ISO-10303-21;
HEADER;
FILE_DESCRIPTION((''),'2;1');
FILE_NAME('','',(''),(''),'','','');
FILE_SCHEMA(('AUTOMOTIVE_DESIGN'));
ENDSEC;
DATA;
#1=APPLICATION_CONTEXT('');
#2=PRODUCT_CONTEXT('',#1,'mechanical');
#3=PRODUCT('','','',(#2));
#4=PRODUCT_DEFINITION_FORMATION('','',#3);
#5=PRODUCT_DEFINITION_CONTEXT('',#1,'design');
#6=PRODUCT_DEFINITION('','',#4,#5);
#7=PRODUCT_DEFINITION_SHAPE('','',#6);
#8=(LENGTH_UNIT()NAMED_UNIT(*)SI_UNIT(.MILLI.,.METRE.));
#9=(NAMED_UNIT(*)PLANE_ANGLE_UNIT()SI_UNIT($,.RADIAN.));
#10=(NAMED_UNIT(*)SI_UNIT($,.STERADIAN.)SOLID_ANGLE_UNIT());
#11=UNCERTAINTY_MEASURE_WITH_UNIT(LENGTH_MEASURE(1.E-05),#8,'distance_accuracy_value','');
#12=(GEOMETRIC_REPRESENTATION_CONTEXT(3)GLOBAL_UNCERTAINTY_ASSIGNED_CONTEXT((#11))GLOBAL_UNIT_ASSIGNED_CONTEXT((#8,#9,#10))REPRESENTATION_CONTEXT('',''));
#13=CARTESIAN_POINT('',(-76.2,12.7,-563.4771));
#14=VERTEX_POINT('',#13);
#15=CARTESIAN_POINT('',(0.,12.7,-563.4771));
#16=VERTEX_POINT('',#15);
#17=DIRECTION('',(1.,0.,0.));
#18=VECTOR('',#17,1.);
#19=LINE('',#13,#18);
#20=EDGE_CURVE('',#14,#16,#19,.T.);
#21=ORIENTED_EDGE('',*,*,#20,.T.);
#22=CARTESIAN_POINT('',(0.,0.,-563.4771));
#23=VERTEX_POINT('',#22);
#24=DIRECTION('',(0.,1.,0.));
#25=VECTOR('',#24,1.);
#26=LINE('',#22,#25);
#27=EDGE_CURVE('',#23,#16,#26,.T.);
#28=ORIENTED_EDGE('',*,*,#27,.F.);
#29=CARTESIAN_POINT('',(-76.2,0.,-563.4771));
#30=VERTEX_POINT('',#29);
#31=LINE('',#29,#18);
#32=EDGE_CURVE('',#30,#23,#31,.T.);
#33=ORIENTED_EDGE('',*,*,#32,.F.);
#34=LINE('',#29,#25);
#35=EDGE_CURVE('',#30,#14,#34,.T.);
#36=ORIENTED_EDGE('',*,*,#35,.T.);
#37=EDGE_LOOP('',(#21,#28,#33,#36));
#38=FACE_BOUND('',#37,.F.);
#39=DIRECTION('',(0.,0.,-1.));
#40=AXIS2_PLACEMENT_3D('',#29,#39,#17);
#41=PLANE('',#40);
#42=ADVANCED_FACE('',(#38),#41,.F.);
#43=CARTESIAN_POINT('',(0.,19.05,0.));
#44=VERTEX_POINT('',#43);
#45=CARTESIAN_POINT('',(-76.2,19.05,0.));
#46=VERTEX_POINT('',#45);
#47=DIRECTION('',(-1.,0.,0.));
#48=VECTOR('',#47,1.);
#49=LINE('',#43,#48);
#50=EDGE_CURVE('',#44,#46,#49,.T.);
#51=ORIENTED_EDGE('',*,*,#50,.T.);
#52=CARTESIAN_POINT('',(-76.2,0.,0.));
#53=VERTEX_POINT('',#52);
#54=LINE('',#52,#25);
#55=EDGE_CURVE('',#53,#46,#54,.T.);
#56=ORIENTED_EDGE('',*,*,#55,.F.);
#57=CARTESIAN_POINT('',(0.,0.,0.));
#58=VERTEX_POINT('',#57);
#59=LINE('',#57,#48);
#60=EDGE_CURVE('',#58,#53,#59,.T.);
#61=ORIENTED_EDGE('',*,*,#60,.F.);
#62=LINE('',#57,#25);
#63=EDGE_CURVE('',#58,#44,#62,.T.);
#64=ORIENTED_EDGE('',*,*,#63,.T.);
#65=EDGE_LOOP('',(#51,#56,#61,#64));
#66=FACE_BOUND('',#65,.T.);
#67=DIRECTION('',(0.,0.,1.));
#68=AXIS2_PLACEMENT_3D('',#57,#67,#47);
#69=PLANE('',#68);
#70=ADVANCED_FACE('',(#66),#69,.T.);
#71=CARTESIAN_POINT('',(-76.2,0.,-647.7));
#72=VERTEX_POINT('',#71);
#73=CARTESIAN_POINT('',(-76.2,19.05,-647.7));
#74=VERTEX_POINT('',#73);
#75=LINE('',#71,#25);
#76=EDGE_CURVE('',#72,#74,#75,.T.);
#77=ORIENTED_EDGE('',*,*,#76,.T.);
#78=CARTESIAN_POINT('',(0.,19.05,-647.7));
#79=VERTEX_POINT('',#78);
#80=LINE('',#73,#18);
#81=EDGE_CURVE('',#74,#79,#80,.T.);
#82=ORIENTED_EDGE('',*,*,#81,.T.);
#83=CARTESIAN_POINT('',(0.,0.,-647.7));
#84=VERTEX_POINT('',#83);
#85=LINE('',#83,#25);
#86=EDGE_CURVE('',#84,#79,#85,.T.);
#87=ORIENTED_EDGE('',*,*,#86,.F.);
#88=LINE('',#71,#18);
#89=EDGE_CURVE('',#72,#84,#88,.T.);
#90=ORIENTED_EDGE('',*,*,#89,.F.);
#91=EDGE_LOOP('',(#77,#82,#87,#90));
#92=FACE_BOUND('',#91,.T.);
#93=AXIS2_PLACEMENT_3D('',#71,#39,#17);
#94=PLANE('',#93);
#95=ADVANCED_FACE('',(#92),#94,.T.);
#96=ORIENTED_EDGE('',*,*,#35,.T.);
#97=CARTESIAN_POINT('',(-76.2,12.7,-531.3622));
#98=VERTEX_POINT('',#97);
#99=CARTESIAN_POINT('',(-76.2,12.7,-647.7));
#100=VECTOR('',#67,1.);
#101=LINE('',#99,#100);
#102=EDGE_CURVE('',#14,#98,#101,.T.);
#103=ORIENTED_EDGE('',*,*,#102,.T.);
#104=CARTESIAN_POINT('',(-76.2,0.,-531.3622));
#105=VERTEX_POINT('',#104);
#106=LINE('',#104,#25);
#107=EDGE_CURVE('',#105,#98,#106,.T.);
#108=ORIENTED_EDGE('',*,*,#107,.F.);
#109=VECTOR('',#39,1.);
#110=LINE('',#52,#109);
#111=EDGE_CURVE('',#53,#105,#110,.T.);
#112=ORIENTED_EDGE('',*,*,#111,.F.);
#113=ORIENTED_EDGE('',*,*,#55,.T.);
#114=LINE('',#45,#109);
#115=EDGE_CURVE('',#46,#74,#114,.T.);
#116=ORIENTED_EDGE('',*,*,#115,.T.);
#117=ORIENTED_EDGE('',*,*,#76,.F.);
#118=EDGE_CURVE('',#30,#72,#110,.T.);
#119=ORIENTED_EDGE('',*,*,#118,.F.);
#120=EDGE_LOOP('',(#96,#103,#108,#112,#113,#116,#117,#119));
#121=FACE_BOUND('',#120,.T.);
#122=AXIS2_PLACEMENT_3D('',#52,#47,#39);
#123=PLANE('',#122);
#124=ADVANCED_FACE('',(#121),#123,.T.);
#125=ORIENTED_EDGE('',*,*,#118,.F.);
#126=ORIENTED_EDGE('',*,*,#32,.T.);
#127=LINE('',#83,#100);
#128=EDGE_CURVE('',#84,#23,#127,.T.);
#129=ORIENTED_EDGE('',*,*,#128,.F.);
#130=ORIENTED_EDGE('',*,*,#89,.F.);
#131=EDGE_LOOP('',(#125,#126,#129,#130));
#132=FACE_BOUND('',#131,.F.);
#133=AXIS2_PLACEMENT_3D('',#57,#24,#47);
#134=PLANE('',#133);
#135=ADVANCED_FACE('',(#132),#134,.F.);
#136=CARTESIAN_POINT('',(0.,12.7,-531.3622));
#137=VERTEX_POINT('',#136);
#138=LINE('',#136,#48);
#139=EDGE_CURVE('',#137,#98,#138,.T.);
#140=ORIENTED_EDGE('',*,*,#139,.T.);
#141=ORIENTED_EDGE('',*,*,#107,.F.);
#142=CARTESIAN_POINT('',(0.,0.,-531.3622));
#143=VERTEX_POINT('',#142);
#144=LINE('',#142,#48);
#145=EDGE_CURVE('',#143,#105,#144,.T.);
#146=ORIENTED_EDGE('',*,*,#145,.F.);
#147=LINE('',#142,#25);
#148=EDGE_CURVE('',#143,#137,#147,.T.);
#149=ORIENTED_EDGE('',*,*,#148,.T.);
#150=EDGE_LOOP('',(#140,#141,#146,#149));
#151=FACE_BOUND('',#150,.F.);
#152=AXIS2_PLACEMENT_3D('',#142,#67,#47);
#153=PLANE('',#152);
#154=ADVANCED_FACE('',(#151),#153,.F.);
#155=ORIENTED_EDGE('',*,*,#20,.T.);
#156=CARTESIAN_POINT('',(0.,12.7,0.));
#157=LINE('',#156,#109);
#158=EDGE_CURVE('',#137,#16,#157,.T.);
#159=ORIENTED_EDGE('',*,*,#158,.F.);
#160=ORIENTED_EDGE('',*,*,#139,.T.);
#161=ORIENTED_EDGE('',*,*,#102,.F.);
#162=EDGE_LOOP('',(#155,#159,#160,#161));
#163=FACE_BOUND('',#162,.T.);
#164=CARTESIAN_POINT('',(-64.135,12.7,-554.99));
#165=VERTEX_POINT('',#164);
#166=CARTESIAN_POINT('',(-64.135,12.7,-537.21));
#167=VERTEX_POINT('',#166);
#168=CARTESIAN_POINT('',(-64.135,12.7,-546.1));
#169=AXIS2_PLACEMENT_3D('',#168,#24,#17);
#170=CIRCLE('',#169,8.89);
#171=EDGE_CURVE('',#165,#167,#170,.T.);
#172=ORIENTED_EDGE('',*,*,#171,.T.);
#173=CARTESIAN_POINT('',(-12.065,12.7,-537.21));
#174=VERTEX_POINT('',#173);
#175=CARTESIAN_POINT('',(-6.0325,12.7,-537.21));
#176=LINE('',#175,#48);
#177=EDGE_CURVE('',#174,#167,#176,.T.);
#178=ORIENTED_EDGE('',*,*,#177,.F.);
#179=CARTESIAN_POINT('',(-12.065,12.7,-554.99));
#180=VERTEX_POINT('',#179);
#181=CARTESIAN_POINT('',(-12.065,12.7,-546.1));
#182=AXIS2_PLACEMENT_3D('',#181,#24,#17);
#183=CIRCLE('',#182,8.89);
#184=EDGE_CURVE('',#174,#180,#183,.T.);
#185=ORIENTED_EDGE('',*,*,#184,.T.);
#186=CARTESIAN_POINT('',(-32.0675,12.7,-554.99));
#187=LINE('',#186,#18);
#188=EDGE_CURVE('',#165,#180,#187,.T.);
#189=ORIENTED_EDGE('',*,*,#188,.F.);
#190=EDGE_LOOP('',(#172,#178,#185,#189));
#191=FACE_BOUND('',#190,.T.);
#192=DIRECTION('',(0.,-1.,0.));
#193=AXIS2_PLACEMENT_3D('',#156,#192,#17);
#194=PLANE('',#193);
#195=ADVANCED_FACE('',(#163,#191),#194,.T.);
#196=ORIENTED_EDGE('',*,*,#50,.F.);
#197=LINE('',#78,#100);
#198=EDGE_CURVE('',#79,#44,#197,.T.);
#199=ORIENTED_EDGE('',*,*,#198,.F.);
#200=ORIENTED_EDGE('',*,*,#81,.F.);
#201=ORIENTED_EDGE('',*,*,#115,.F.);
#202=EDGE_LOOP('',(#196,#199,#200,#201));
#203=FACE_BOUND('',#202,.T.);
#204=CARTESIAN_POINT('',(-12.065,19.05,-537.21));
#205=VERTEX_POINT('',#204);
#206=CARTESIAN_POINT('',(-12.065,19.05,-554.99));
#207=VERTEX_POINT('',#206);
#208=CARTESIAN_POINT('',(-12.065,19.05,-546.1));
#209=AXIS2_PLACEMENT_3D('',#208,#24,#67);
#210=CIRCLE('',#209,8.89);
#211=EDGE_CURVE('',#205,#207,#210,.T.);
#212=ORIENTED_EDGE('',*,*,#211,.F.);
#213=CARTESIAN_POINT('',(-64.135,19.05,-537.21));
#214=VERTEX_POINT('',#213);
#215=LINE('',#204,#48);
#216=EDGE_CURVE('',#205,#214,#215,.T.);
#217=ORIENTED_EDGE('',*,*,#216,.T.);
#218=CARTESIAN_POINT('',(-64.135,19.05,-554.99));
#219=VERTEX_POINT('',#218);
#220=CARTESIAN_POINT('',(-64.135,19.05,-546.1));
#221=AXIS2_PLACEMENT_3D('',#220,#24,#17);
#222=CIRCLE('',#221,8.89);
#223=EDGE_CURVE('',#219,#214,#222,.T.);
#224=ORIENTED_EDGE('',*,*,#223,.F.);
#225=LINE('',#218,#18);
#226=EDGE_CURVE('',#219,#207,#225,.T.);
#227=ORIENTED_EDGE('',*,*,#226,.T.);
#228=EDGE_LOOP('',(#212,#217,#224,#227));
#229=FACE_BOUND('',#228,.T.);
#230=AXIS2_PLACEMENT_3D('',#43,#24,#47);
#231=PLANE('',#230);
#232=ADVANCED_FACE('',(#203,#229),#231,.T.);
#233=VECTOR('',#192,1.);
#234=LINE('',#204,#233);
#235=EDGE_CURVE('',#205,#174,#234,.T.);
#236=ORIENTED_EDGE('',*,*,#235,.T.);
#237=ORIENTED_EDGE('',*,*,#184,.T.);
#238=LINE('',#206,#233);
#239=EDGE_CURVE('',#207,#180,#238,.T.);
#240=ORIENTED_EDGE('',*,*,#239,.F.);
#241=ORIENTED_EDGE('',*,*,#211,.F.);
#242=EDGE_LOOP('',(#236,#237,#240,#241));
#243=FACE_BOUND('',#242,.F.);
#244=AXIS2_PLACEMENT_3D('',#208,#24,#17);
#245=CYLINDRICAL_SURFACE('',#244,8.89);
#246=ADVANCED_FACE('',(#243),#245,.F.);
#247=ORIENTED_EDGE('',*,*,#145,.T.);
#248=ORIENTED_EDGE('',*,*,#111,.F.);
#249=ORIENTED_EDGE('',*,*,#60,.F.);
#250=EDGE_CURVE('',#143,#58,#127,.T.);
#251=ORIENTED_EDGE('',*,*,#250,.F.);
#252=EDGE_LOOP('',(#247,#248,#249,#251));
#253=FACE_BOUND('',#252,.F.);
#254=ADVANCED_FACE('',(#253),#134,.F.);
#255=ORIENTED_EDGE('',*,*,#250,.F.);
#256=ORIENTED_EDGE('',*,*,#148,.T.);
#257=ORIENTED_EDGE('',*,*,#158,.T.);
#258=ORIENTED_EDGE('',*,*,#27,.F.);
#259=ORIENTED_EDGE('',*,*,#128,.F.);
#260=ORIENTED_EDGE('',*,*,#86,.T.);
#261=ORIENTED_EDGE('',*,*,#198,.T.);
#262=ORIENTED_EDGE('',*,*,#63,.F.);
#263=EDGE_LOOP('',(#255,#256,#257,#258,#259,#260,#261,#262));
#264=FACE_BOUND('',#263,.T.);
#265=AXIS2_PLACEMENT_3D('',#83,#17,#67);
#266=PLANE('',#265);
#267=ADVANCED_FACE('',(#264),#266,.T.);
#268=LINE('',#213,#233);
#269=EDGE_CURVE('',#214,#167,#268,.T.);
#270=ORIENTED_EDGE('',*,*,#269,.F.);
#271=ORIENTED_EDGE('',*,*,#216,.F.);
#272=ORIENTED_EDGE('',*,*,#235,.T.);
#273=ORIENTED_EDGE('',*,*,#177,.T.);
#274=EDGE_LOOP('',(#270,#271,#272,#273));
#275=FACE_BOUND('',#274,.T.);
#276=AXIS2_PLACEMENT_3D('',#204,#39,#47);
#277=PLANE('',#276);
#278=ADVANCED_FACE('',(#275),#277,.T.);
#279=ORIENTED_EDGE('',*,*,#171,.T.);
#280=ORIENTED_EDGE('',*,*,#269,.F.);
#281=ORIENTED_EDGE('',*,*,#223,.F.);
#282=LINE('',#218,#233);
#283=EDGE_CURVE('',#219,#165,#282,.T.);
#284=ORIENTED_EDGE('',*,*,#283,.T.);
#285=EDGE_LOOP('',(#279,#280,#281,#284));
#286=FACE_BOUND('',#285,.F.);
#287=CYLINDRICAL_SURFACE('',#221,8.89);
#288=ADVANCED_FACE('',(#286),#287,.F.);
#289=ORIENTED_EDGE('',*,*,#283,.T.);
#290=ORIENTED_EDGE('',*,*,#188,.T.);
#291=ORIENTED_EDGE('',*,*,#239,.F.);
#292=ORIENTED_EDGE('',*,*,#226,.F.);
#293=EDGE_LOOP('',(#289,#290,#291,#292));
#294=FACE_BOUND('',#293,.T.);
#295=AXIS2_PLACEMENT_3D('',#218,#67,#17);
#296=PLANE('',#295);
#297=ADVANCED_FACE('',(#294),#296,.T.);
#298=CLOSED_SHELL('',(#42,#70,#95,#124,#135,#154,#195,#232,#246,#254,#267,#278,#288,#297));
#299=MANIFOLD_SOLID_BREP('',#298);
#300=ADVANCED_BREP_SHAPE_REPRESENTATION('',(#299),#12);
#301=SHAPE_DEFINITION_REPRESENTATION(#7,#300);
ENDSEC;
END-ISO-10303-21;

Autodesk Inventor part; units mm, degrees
ref_plane "YZ Plane" through (0, 0, 0) normal (1, 0, 0) x (0, 1, 0)
ref_plane "XZ Plane" through (0, 0, 0) normal (0, 1, 0) x (-1, 0, 0)
ref_plane "XY Plane" through (0, 0, 0) normal (0, 0, 1) x (1, 0, 0)
sketch "Sketch1" plane through (0, 0, 0) normal (0, 1, 0) x (-1, 0, 0)
  line L0 (0, 0) -> (76.2, 0)
  line L1 (76.2, 0) -> (76.2, -647.7)
  line L2 (76.2, -647.7) -> (0, -647.7)
  line L3 (0, -647.7) -> (0, 0)
  dimension "d1" = 76.2
  dimension "d2" = 647.7
extrude "Extrusion1" add sketch "Sketch1" along normal blind 19.05
sketch "Sketch2" plane through (0, 19.05, 0) normal (0, 1, 0) x (1, 0, 0)
  line L0 (-64.135, 554.99) -> (-12.065, 554.99)
  line L1 (-12.065, 554.99) -> (-12.065, 537.21)
  line L2 (-12.065, 537.21) -> (-64.135, 537.21)
  line L3 (-64.135, 537.21) -> (-64.135, 554.99)
  circle A0 centre (-64.135, 546.1) radius 8.89
  circle A1 centre (-12.065, 546.1) radius 8.89
  line L4 (-73.025, 606.1343) -> (-73.025, 587.8403) construction
  line L5 (-3.175, 554.99) -> (-3.175, 587.8403) construction
  line L6 (0, 647.7) -> (-76.2, 647.7) projected
  line L7 (-38.1, 647.7) -> (-38.1, 0) construction
  line L8 (-76.2, 0) -> (0, 0) projected
  dimension "d5" = 69.85
  dimension "d6" = 34.925
  dimension "d7" = 17.78
  dimension "d8" = 101.6
extrude "Extrusion2" cut sketch "Sketch2" against normal blind 25.4
sketch "Sketch3" plane through (0, 0, 0) normal (0, -1, 0) x (1, 0, 0)
  line L0 (0, 0) -> (0, -647.7) projected
  line L1 (-76.2, -647.7) -> (-76.2, 0) projected
  line L2 (0, -531.3622) -> (-76.2, -531.3622)
  line L3 (-76.2, -531.3622) -> (-76.2, -563.4771)
  line L4 (-76.2, -563.4771) -> (0, -563.4771)
  line L5 (0, -563.4771) -> (0, -531.3622)
  point P0 (0, -563.4771)
extrude "Extrusion3" cut sketch "Sketch3" against normal blind 12.7
equation "\"d1\" = topPlateWidth"
equation "\"d2\" = topPlateLength"
equation "\"d3\" = woodThickness"
equation "\"d6\" = 0.5 * d5"
equation "\"topPlateLength\" = 647.7"
equation "\"woodThickness\" = 19.05"
equation "\"topPlateWidth\" = 76.2"
properties part number "bodyTopPlate"
